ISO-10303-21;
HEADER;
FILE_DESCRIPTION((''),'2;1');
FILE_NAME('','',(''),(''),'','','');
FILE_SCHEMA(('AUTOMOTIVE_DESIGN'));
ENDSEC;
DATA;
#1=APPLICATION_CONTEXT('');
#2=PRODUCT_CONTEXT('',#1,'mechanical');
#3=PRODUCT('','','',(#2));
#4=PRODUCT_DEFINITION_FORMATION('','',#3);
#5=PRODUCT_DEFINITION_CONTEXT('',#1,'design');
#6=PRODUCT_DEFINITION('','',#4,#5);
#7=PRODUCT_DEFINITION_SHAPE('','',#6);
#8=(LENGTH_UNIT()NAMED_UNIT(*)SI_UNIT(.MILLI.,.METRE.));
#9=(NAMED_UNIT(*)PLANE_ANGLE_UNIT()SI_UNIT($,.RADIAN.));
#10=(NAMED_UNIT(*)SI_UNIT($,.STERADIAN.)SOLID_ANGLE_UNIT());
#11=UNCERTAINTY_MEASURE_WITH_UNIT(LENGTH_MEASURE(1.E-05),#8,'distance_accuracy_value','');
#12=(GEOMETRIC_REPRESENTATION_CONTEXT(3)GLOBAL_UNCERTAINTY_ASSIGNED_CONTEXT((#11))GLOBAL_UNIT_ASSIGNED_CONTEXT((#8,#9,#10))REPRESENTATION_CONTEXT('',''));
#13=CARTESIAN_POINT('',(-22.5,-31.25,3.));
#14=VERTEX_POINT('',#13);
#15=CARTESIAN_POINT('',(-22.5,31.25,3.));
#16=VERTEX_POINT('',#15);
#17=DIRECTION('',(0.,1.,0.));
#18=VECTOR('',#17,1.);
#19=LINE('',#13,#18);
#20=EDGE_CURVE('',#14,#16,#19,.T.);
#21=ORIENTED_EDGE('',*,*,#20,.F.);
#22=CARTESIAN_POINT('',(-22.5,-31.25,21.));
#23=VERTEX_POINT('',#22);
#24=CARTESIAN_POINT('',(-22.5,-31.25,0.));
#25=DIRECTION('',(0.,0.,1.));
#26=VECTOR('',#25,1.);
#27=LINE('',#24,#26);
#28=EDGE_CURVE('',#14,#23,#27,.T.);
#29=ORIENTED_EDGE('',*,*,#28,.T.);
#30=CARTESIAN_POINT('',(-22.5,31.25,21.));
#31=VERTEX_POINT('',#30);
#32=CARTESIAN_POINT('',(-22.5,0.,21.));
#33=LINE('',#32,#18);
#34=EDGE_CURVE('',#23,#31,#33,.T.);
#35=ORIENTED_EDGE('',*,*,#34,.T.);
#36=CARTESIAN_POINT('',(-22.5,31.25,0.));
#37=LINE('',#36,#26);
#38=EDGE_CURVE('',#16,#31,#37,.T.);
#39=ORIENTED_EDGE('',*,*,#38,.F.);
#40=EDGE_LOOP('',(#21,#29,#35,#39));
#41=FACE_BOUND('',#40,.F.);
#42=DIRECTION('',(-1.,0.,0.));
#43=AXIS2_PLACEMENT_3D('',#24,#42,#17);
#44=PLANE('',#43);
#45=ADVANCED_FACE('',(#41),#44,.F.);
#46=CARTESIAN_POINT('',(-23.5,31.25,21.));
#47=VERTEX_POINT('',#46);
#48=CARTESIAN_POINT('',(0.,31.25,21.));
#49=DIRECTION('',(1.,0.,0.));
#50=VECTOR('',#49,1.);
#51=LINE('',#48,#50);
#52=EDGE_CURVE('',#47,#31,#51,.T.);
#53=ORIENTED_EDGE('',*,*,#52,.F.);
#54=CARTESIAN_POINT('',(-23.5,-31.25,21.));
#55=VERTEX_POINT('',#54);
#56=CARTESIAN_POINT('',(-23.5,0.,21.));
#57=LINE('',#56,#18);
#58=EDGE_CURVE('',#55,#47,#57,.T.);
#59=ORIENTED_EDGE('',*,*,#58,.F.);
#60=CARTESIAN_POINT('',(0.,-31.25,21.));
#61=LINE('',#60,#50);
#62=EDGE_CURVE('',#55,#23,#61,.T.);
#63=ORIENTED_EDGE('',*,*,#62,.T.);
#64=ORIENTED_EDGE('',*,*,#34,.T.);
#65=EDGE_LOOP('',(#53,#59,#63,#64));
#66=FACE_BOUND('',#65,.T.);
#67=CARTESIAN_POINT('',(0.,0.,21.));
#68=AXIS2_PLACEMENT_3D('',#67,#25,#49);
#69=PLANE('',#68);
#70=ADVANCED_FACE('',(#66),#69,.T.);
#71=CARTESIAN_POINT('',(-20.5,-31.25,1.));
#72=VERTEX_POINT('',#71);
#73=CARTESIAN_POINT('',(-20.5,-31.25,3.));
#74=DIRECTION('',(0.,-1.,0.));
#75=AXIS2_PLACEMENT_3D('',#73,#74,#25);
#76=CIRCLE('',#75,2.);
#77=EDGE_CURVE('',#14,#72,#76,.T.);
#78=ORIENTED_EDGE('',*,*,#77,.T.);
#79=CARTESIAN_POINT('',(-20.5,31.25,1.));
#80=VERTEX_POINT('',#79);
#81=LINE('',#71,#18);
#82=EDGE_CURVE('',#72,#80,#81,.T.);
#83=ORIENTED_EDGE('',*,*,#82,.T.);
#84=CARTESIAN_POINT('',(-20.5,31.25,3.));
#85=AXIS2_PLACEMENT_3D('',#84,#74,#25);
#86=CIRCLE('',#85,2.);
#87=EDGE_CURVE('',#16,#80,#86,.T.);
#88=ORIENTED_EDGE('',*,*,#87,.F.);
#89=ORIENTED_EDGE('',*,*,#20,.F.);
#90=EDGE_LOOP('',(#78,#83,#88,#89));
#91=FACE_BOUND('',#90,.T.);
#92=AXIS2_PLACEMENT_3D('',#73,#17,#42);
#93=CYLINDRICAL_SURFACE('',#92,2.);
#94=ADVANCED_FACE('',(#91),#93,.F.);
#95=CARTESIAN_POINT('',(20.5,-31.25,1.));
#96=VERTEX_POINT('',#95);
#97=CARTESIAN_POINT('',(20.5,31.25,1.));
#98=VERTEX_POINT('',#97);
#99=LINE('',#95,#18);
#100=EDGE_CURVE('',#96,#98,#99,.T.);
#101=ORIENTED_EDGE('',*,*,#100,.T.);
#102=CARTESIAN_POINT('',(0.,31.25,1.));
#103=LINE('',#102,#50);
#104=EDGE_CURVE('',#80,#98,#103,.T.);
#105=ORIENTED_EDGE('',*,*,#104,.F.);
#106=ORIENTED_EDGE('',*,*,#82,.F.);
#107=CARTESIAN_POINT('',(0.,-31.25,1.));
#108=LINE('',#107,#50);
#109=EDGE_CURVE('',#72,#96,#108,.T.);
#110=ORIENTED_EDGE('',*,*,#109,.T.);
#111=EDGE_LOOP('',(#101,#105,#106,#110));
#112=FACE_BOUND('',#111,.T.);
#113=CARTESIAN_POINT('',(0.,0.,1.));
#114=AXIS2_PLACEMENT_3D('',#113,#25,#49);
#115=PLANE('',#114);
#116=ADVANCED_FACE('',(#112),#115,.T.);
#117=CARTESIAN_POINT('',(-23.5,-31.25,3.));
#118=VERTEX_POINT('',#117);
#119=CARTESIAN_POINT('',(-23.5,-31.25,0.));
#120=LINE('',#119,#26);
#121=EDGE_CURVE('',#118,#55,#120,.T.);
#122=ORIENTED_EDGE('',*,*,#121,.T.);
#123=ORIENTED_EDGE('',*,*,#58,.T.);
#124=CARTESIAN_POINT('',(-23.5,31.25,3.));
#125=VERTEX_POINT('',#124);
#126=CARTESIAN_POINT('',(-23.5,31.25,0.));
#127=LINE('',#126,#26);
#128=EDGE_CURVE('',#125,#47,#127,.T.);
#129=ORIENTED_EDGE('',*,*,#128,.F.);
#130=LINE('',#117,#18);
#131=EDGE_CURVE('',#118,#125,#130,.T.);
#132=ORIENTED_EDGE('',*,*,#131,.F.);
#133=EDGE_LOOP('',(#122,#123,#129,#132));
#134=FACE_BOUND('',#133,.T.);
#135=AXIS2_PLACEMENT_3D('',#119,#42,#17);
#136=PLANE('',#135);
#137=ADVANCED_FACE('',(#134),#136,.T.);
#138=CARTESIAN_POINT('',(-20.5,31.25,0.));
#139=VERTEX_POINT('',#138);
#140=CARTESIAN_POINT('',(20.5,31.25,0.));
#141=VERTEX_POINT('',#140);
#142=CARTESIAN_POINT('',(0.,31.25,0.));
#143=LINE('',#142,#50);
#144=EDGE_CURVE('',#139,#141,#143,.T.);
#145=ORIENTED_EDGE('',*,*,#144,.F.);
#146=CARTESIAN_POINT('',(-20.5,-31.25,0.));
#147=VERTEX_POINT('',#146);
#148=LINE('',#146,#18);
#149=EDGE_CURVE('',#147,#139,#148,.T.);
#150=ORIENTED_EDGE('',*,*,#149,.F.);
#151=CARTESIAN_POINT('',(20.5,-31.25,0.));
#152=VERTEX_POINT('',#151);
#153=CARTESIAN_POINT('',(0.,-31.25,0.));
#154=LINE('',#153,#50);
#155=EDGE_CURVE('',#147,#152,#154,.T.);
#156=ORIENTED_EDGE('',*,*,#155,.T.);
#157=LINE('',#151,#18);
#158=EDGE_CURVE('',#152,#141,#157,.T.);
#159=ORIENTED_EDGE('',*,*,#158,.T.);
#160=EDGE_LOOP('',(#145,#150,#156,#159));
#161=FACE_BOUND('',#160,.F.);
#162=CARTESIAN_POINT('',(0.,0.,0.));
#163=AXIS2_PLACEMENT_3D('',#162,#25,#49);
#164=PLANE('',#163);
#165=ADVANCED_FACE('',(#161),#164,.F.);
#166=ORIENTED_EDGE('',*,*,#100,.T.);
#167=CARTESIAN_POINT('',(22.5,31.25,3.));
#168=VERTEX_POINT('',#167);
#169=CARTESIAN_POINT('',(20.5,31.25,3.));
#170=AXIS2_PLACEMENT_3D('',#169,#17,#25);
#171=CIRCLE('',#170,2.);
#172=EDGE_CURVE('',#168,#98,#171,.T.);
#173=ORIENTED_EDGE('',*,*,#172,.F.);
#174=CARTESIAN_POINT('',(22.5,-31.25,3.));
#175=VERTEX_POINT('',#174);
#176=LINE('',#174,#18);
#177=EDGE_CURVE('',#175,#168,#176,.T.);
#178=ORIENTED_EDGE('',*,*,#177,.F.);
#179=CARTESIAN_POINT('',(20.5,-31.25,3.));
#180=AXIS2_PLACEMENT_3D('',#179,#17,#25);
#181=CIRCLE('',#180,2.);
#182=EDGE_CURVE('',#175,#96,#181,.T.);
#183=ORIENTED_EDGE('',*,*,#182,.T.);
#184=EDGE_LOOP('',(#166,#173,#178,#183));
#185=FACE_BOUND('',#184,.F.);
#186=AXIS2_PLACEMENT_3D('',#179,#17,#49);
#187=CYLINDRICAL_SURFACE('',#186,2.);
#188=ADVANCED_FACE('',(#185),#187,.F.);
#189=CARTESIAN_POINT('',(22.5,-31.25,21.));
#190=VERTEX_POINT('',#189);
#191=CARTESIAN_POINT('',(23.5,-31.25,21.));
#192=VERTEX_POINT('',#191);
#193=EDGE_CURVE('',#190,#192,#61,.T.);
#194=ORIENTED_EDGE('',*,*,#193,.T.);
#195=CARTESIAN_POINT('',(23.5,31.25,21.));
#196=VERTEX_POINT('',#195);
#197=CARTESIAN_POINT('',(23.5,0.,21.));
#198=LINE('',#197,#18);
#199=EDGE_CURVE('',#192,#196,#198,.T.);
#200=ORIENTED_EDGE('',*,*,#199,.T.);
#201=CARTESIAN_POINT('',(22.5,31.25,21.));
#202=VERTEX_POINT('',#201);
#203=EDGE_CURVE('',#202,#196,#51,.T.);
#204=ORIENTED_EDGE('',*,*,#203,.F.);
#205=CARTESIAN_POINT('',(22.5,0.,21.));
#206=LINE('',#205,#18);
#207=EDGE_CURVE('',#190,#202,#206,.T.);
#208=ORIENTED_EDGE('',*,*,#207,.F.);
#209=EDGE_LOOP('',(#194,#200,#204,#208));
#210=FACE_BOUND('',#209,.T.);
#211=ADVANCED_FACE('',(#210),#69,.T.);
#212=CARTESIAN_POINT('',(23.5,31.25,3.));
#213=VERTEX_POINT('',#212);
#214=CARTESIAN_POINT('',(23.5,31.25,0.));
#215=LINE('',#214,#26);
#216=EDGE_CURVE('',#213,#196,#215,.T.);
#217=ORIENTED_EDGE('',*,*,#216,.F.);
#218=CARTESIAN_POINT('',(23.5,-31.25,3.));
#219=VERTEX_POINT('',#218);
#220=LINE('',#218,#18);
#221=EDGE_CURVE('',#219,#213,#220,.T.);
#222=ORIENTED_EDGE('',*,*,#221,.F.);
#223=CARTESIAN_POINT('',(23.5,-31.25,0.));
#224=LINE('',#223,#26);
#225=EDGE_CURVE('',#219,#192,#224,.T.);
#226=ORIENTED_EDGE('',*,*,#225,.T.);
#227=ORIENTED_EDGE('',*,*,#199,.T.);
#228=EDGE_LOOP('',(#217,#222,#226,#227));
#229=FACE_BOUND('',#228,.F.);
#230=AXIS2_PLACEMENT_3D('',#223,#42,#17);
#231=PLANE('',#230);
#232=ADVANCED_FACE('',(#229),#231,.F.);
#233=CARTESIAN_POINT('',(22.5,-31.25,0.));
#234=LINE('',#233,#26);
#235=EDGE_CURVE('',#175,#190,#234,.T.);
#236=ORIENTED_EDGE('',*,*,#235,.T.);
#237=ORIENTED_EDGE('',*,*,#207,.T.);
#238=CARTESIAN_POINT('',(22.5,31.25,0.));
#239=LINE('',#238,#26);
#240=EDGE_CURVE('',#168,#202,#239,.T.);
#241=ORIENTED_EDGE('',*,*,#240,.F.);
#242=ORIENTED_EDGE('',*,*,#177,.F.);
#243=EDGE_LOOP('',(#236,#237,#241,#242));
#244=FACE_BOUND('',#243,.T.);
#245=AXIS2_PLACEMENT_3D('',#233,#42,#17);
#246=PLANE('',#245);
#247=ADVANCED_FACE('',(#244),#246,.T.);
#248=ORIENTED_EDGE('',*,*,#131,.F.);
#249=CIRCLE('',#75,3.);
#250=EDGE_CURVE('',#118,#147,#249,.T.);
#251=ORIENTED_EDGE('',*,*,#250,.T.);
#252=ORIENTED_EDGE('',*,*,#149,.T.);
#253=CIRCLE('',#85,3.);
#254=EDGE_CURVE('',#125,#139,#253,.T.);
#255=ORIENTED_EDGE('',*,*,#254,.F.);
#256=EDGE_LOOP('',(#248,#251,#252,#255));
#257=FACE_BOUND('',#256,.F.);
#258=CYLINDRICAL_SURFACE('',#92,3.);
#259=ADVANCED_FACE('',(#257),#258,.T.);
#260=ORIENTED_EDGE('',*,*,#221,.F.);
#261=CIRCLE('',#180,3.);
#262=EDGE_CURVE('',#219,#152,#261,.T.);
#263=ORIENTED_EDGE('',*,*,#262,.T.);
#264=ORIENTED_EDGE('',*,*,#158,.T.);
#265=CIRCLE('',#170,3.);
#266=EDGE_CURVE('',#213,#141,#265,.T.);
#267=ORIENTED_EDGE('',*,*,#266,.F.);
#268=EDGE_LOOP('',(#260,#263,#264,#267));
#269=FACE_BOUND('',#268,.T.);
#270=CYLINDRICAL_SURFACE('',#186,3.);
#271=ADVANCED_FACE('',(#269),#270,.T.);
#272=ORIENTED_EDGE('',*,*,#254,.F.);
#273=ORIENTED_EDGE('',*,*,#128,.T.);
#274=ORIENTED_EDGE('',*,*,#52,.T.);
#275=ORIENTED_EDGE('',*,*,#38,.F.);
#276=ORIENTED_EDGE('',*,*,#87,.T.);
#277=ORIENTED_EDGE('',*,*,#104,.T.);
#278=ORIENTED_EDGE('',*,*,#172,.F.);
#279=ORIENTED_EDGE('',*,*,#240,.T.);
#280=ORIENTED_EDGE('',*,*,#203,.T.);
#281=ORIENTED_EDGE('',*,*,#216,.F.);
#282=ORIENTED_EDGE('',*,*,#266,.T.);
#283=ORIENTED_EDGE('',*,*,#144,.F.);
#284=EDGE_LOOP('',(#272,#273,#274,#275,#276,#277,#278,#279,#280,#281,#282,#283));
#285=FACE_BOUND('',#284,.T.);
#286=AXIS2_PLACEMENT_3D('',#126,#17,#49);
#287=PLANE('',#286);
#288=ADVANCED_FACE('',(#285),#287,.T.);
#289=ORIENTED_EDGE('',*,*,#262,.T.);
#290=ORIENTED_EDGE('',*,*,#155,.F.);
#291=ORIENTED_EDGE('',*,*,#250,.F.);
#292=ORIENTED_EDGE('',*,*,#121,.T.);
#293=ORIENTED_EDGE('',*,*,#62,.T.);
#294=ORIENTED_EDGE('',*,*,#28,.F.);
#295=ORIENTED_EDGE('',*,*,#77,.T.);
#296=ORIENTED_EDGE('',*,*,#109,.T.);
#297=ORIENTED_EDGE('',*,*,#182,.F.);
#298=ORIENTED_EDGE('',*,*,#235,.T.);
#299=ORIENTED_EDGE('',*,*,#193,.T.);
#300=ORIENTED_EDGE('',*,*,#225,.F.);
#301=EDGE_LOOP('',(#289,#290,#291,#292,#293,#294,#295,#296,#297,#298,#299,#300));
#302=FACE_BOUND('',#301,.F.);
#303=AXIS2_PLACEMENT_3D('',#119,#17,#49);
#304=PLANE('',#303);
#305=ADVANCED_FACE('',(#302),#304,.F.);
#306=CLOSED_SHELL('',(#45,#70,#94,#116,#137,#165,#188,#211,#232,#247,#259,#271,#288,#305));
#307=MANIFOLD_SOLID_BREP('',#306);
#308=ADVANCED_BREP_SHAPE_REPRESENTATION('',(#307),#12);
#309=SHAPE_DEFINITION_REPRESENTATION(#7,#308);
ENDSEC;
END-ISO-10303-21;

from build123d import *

# Parameters (mm, degrees)
F0_W     = 47
F0_H     = 62.5
F1_DEPTH = 21
F2_R     = 3
F3_T     = -1


with BuildPart() as f1:
    # F0 (on Top) → F1 (new body)
    with BuildSketch(Plane.XY):
        Rectangle(F0_W, F0_H)
    extrude(amount=F1_DEPTH)

    # F2
    f2_edges = [f1.edges().sort_by_distance(p)[0] for p in [
        (23.5, 0, 0),
        (-23.5, 0, 0),
    ]]
    fillet(f2_edges, radius=F2_R)

    # F3
    f3_openings = [f1.faces().sort_by_distance(p)[0] for p in [
        (0, 0, 21),
        (0, -31.25, 10.538623),
        (0, 31.25, 10.538623),
    ]]
    offset(amount=F3_T, openings=f3_openings)


solid = f1.part
